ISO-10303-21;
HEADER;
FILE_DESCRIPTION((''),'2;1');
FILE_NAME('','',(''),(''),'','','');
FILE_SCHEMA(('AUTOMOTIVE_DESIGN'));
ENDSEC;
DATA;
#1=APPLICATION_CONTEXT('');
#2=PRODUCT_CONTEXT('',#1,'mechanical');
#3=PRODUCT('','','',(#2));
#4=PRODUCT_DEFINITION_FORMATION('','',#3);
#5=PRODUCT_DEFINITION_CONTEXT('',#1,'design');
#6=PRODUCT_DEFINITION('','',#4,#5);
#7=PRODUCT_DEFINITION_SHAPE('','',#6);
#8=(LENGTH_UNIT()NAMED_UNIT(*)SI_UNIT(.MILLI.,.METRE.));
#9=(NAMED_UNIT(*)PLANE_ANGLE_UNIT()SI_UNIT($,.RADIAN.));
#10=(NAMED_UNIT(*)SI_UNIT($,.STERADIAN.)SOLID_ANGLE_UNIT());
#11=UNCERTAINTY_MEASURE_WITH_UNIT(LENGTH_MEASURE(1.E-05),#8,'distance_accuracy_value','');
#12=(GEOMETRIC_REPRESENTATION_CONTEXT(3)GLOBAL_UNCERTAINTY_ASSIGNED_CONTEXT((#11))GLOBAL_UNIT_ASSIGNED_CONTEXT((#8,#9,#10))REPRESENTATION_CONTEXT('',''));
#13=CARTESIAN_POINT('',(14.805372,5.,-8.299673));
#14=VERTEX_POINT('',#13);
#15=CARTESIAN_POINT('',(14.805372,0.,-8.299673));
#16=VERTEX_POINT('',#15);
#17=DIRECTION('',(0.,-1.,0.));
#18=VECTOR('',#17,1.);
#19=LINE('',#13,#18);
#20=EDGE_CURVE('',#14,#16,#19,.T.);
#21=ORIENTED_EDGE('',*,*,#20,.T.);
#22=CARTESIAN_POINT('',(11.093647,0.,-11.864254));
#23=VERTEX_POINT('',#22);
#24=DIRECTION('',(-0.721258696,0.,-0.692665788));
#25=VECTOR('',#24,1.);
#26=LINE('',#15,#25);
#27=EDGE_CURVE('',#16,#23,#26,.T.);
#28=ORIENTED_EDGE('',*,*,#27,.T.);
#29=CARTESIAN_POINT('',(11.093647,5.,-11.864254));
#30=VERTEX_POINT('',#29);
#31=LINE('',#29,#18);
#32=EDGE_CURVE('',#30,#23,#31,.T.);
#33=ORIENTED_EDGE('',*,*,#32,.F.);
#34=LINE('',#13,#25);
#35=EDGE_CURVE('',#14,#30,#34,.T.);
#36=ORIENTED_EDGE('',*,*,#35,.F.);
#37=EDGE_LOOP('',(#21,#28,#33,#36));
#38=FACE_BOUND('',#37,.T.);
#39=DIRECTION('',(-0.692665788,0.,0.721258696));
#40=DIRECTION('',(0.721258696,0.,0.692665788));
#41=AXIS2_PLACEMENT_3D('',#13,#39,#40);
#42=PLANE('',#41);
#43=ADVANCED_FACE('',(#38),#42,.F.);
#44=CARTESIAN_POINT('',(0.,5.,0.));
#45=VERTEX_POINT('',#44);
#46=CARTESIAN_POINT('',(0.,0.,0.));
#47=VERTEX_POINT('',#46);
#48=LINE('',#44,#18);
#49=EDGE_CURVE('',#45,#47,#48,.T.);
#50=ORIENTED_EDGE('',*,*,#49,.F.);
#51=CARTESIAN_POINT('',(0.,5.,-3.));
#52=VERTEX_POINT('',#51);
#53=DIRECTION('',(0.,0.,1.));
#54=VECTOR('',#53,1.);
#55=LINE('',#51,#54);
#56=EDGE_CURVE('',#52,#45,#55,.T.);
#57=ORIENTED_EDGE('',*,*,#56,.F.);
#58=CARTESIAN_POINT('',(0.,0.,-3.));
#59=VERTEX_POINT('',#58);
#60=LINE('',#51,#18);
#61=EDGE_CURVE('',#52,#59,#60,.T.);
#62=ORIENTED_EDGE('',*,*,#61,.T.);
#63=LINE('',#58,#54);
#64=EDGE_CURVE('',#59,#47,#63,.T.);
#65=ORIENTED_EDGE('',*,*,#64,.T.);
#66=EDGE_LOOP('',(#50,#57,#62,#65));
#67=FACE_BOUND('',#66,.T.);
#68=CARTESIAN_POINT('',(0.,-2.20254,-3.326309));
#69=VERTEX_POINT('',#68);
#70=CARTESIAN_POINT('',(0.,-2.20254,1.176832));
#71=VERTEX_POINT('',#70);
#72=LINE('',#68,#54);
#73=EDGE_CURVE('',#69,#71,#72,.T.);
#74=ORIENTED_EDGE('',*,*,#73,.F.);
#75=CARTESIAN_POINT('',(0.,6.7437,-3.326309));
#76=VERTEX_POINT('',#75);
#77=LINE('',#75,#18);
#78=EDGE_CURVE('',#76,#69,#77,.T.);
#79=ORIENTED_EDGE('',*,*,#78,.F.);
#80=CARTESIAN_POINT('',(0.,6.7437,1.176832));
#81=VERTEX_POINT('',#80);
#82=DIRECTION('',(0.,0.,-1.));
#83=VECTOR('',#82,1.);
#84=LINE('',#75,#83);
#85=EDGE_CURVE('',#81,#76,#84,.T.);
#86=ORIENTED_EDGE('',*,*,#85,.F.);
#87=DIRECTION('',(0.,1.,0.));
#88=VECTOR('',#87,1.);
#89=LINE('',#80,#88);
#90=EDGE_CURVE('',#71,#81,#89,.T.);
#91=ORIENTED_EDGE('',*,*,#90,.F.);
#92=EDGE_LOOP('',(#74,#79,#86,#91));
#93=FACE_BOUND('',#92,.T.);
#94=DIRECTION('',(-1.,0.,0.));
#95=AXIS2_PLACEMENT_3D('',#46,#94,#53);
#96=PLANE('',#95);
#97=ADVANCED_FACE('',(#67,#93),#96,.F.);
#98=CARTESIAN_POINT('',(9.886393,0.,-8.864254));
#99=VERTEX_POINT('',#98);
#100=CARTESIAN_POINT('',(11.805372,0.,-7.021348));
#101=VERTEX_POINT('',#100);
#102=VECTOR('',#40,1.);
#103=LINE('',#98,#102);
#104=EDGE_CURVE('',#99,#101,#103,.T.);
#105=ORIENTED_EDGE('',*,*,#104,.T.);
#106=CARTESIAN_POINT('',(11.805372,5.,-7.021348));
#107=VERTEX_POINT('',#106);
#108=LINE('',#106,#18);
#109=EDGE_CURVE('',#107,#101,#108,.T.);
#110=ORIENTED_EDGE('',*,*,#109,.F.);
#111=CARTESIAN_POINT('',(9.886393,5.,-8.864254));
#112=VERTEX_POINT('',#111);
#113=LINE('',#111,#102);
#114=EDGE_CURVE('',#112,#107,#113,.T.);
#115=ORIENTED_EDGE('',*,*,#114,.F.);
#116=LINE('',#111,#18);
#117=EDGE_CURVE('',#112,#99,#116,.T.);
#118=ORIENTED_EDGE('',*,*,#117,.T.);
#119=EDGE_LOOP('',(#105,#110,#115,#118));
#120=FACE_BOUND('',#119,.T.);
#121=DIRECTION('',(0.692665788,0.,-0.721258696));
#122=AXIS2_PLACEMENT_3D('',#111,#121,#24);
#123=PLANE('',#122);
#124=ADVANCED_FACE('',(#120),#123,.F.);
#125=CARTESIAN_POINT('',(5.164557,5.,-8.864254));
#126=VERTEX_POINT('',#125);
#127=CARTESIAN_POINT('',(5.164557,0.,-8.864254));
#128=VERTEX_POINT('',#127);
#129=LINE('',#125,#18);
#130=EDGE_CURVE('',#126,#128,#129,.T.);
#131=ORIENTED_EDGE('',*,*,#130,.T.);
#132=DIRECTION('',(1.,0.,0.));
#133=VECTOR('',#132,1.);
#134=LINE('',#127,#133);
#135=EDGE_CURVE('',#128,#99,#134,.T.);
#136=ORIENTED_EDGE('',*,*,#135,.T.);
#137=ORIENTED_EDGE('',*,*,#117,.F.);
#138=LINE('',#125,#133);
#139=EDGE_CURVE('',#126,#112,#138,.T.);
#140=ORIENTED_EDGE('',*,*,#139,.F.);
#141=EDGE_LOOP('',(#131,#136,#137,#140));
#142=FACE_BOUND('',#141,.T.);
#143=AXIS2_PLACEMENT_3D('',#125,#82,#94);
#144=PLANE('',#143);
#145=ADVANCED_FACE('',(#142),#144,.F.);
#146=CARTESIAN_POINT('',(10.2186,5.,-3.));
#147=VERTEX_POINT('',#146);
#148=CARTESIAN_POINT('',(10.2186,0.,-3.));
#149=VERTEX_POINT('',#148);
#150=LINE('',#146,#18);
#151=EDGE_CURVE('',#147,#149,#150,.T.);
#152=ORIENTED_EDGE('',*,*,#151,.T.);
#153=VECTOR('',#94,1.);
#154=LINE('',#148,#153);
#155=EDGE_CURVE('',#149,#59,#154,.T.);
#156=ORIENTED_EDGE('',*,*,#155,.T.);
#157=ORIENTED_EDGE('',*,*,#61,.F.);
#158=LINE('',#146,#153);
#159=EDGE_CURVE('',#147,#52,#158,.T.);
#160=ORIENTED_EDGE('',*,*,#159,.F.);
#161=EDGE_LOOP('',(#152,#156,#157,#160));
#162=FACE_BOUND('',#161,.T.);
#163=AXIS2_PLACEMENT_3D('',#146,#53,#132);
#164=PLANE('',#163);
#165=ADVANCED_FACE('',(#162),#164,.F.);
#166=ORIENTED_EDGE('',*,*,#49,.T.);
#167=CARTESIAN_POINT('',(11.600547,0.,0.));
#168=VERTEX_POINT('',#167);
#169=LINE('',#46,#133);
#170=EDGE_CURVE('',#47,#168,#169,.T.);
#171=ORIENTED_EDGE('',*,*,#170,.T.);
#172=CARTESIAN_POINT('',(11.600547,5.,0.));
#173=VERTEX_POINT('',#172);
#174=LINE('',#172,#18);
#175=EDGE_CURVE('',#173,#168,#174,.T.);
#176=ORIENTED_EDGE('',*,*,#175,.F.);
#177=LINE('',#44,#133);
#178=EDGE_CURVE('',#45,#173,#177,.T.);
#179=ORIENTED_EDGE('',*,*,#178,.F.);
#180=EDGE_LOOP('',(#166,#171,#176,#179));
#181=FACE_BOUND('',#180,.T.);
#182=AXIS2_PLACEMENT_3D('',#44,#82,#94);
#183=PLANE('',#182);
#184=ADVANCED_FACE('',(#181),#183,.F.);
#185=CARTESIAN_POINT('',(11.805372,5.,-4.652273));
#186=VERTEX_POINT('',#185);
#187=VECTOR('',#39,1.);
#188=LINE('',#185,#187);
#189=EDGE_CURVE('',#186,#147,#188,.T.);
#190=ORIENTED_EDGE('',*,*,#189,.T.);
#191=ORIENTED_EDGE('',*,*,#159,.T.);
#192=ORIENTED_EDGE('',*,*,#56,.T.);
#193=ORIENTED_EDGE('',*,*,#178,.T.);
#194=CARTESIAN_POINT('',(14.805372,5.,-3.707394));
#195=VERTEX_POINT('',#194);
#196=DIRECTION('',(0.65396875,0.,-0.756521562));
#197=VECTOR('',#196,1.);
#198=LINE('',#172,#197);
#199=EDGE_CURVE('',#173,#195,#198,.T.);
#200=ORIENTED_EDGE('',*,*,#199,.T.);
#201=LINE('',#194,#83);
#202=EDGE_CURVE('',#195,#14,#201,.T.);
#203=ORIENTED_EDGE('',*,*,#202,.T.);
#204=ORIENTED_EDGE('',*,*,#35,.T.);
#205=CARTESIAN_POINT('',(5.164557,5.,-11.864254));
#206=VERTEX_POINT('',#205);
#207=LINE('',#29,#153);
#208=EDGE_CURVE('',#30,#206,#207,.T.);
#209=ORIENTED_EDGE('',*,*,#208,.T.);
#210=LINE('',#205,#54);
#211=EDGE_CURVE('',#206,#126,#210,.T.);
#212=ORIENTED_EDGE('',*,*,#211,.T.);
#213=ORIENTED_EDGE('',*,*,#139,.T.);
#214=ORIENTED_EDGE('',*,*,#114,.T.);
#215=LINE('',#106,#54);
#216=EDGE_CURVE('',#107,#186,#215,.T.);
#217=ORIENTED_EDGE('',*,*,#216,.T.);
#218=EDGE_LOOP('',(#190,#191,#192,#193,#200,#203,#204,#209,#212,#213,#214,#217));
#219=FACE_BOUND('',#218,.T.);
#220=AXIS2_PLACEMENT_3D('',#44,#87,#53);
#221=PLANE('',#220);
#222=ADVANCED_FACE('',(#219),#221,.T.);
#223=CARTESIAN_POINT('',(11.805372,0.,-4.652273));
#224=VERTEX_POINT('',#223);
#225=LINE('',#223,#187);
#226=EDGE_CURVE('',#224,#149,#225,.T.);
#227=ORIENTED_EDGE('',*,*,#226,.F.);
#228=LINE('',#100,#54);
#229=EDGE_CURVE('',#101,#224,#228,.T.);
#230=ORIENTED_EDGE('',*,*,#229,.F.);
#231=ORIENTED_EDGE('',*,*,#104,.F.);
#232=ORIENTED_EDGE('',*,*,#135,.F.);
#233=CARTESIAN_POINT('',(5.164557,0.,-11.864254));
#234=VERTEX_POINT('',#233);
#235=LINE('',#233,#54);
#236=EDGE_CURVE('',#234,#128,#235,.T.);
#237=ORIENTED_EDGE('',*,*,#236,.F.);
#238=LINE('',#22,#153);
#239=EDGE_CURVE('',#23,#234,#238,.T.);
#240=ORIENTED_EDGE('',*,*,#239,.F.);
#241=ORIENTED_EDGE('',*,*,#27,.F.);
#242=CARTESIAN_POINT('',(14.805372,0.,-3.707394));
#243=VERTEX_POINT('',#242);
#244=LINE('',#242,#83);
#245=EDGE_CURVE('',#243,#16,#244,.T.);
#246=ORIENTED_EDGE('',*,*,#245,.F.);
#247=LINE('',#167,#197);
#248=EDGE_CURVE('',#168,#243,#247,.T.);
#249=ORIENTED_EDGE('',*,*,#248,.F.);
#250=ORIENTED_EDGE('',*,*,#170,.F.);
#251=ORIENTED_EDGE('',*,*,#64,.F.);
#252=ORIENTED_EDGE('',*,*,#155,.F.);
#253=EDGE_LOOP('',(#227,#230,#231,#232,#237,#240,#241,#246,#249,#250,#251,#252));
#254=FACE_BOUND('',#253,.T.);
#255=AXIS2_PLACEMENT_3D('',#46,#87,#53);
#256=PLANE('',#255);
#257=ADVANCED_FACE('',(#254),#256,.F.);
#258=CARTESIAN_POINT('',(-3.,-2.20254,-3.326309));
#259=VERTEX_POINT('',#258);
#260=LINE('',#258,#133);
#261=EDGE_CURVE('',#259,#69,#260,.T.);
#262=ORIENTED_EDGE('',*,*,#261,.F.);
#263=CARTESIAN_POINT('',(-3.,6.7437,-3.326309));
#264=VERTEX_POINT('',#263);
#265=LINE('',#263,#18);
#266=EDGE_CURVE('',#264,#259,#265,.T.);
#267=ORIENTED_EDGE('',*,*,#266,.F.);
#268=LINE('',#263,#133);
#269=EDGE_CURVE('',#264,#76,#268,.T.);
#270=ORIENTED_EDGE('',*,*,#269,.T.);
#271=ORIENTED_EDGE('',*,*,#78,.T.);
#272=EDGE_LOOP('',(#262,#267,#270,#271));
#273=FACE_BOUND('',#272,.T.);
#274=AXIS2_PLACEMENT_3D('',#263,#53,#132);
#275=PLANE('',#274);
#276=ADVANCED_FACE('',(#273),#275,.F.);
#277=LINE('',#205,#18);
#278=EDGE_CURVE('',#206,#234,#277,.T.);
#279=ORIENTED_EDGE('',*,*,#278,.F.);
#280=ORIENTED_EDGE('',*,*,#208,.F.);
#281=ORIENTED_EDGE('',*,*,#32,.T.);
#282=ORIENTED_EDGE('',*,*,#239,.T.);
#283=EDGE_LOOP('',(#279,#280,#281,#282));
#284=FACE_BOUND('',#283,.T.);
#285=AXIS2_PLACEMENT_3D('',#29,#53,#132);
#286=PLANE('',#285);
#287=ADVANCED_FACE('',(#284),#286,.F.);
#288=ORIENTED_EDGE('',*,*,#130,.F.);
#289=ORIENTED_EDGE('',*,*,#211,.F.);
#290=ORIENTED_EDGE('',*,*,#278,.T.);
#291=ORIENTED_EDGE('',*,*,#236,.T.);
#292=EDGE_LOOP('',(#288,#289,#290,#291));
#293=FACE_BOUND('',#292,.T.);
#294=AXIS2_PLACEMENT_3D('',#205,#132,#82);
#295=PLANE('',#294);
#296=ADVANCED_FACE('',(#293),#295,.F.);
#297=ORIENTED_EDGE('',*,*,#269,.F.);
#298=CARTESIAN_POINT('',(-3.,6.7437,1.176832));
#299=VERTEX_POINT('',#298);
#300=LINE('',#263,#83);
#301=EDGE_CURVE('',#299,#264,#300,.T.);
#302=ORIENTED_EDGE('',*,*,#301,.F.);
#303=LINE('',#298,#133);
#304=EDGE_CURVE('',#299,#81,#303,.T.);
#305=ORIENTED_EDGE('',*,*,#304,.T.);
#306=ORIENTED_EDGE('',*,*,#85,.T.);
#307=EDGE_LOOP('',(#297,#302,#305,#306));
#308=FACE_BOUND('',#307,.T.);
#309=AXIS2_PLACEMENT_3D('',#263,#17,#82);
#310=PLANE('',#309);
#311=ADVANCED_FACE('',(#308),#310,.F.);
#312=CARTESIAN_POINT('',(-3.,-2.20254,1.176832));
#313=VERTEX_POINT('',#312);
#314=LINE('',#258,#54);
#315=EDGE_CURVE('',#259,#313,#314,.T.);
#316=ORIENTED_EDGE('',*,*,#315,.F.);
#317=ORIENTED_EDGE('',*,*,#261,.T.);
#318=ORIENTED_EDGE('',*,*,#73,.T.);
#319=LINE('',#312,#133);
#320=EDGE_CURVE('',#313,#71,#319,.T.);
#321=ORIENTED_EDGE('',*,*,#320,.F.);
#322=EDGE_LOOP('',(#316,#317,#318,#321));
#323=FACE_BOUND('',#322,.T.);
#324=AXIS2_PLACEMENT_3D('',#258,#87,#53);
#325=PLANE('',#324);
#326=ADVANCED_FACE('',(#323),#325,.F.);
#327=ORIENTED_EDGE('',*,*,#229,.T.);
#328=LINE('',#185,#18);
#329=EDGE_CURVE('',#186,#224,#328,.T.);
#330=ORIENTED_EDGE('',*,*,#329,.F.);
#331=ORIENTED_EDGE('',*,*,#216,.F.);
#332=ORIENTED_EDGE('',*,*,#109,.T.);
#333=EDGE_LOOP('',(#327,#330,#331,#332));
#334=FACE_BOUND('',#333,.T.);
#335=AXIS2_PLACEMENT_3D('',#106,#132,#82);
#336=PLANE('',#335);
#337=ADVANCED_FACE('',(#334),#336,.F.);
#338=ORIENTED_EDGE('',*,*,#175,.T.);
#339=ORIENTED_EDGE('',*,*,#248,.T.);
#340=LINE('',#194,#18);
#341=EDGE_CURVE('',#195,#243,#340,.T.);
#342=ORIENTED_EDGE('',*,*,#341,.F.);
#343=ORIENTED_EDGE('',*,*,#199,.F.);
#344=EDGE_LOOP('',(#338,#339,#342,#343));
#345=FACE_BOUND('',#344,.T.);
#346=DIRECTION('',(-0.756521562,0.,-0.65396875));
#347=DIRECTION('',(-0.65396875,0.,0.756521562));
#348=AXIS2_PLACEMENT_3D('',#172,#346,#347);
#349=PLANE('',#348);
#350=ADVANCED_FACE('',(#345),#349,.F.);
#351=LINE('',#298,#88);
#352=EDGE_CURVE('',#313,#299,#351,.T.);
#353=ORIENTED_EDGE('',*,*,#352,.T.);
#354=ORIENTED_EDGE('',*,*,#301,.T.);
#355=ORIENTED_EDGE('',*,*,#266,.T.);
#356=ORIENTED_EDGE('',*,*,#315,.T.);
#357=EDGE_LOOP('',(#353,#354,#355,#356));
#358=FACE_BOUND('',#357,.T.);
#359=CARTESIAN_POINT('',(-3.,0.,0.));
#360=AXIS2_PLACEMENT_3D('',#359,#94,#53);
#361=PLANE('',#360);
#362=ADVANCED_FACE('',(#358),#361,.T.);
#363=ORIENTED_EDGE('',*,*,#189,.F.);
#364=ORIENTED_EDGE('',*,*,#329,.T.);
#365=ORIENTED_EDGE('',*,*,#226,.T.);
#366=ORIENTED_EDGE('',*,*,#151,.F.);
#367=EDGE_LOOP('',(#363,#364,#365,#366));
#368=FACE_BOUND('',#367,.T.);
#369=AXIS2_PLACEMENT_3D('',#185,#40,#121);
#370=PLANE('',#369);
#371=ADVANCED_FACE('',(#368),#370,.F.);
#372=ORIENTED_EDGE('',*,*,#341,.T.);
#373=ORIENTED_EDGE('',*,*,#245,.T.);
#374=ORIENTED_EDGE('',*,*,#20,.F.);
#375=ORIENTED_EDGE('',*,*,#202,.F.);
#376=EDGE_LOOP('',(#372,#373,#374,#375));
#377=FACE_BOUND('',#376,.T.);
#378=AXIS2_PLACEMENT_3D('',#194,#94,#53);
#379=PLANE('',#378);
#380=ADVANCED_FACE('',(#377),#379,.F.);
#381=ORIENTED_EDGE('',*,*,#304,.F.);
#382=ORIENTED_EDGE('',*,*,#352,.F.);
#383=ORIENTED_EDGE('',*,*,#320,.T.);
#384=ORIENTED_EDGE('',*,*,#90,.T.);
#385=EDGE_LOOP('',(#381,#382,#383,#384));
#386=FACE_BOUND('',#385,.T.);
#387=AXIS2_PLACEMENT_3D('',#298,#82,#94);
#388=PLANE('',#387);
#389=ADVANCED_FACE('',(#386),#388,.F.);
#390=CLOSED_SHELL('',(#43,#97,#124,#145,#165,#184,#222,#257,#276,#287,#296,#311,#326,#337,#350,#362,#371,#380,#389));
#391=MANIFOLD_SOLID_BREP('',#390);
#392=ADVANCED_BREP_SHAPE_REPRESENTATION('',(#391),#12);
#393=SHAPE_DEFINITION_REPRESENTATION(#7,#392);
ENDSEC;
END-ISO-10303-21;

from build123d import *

# Parameters (mm, degrees)
EXTRUDE_1_DEPTH = 5
SKETCH_2_W      = 4.503141041
SKETCH_2_H      = 8.946240201
EXTRUDE_2_DEPTH = 3


with BuildPart() as part:
    # Эскиз1 → Бобышка-Вытянуть1 (new body)
    with BuildSketch(Plane(origin=(0, 0, 0), x_dir=(1, 0, 0), z_dir=(0, 1, 0))):
        Polygon((0, 0), (11.600546573, 0), (14.80537201, 3.707393578), (14.80537201, 8.299672792), (11.09364712, 11.86425352), (5.164556962, 11.86425352), (5.164556962, 8.86425352), (9.886392586, 8.86425352), (11.80537201, 7.021348328), (11.80537201, 4.652272931), (10.218600246, 3), (0, 3), align=None)
    extrude(amount=EXTRUDE_1_DEPTH)

    # Эскиз2 → Бобышка-Вытянуть2 (add)
    with BuildSketch(Plane.ZY):
        with Locations((-1.074738625, 2.270579917)):
            Rectangle(SKETCH_2_W, SKETCH_2_H)
    extrude(amount=EXTRUDE_2_DEPTH)


solid = part.part
